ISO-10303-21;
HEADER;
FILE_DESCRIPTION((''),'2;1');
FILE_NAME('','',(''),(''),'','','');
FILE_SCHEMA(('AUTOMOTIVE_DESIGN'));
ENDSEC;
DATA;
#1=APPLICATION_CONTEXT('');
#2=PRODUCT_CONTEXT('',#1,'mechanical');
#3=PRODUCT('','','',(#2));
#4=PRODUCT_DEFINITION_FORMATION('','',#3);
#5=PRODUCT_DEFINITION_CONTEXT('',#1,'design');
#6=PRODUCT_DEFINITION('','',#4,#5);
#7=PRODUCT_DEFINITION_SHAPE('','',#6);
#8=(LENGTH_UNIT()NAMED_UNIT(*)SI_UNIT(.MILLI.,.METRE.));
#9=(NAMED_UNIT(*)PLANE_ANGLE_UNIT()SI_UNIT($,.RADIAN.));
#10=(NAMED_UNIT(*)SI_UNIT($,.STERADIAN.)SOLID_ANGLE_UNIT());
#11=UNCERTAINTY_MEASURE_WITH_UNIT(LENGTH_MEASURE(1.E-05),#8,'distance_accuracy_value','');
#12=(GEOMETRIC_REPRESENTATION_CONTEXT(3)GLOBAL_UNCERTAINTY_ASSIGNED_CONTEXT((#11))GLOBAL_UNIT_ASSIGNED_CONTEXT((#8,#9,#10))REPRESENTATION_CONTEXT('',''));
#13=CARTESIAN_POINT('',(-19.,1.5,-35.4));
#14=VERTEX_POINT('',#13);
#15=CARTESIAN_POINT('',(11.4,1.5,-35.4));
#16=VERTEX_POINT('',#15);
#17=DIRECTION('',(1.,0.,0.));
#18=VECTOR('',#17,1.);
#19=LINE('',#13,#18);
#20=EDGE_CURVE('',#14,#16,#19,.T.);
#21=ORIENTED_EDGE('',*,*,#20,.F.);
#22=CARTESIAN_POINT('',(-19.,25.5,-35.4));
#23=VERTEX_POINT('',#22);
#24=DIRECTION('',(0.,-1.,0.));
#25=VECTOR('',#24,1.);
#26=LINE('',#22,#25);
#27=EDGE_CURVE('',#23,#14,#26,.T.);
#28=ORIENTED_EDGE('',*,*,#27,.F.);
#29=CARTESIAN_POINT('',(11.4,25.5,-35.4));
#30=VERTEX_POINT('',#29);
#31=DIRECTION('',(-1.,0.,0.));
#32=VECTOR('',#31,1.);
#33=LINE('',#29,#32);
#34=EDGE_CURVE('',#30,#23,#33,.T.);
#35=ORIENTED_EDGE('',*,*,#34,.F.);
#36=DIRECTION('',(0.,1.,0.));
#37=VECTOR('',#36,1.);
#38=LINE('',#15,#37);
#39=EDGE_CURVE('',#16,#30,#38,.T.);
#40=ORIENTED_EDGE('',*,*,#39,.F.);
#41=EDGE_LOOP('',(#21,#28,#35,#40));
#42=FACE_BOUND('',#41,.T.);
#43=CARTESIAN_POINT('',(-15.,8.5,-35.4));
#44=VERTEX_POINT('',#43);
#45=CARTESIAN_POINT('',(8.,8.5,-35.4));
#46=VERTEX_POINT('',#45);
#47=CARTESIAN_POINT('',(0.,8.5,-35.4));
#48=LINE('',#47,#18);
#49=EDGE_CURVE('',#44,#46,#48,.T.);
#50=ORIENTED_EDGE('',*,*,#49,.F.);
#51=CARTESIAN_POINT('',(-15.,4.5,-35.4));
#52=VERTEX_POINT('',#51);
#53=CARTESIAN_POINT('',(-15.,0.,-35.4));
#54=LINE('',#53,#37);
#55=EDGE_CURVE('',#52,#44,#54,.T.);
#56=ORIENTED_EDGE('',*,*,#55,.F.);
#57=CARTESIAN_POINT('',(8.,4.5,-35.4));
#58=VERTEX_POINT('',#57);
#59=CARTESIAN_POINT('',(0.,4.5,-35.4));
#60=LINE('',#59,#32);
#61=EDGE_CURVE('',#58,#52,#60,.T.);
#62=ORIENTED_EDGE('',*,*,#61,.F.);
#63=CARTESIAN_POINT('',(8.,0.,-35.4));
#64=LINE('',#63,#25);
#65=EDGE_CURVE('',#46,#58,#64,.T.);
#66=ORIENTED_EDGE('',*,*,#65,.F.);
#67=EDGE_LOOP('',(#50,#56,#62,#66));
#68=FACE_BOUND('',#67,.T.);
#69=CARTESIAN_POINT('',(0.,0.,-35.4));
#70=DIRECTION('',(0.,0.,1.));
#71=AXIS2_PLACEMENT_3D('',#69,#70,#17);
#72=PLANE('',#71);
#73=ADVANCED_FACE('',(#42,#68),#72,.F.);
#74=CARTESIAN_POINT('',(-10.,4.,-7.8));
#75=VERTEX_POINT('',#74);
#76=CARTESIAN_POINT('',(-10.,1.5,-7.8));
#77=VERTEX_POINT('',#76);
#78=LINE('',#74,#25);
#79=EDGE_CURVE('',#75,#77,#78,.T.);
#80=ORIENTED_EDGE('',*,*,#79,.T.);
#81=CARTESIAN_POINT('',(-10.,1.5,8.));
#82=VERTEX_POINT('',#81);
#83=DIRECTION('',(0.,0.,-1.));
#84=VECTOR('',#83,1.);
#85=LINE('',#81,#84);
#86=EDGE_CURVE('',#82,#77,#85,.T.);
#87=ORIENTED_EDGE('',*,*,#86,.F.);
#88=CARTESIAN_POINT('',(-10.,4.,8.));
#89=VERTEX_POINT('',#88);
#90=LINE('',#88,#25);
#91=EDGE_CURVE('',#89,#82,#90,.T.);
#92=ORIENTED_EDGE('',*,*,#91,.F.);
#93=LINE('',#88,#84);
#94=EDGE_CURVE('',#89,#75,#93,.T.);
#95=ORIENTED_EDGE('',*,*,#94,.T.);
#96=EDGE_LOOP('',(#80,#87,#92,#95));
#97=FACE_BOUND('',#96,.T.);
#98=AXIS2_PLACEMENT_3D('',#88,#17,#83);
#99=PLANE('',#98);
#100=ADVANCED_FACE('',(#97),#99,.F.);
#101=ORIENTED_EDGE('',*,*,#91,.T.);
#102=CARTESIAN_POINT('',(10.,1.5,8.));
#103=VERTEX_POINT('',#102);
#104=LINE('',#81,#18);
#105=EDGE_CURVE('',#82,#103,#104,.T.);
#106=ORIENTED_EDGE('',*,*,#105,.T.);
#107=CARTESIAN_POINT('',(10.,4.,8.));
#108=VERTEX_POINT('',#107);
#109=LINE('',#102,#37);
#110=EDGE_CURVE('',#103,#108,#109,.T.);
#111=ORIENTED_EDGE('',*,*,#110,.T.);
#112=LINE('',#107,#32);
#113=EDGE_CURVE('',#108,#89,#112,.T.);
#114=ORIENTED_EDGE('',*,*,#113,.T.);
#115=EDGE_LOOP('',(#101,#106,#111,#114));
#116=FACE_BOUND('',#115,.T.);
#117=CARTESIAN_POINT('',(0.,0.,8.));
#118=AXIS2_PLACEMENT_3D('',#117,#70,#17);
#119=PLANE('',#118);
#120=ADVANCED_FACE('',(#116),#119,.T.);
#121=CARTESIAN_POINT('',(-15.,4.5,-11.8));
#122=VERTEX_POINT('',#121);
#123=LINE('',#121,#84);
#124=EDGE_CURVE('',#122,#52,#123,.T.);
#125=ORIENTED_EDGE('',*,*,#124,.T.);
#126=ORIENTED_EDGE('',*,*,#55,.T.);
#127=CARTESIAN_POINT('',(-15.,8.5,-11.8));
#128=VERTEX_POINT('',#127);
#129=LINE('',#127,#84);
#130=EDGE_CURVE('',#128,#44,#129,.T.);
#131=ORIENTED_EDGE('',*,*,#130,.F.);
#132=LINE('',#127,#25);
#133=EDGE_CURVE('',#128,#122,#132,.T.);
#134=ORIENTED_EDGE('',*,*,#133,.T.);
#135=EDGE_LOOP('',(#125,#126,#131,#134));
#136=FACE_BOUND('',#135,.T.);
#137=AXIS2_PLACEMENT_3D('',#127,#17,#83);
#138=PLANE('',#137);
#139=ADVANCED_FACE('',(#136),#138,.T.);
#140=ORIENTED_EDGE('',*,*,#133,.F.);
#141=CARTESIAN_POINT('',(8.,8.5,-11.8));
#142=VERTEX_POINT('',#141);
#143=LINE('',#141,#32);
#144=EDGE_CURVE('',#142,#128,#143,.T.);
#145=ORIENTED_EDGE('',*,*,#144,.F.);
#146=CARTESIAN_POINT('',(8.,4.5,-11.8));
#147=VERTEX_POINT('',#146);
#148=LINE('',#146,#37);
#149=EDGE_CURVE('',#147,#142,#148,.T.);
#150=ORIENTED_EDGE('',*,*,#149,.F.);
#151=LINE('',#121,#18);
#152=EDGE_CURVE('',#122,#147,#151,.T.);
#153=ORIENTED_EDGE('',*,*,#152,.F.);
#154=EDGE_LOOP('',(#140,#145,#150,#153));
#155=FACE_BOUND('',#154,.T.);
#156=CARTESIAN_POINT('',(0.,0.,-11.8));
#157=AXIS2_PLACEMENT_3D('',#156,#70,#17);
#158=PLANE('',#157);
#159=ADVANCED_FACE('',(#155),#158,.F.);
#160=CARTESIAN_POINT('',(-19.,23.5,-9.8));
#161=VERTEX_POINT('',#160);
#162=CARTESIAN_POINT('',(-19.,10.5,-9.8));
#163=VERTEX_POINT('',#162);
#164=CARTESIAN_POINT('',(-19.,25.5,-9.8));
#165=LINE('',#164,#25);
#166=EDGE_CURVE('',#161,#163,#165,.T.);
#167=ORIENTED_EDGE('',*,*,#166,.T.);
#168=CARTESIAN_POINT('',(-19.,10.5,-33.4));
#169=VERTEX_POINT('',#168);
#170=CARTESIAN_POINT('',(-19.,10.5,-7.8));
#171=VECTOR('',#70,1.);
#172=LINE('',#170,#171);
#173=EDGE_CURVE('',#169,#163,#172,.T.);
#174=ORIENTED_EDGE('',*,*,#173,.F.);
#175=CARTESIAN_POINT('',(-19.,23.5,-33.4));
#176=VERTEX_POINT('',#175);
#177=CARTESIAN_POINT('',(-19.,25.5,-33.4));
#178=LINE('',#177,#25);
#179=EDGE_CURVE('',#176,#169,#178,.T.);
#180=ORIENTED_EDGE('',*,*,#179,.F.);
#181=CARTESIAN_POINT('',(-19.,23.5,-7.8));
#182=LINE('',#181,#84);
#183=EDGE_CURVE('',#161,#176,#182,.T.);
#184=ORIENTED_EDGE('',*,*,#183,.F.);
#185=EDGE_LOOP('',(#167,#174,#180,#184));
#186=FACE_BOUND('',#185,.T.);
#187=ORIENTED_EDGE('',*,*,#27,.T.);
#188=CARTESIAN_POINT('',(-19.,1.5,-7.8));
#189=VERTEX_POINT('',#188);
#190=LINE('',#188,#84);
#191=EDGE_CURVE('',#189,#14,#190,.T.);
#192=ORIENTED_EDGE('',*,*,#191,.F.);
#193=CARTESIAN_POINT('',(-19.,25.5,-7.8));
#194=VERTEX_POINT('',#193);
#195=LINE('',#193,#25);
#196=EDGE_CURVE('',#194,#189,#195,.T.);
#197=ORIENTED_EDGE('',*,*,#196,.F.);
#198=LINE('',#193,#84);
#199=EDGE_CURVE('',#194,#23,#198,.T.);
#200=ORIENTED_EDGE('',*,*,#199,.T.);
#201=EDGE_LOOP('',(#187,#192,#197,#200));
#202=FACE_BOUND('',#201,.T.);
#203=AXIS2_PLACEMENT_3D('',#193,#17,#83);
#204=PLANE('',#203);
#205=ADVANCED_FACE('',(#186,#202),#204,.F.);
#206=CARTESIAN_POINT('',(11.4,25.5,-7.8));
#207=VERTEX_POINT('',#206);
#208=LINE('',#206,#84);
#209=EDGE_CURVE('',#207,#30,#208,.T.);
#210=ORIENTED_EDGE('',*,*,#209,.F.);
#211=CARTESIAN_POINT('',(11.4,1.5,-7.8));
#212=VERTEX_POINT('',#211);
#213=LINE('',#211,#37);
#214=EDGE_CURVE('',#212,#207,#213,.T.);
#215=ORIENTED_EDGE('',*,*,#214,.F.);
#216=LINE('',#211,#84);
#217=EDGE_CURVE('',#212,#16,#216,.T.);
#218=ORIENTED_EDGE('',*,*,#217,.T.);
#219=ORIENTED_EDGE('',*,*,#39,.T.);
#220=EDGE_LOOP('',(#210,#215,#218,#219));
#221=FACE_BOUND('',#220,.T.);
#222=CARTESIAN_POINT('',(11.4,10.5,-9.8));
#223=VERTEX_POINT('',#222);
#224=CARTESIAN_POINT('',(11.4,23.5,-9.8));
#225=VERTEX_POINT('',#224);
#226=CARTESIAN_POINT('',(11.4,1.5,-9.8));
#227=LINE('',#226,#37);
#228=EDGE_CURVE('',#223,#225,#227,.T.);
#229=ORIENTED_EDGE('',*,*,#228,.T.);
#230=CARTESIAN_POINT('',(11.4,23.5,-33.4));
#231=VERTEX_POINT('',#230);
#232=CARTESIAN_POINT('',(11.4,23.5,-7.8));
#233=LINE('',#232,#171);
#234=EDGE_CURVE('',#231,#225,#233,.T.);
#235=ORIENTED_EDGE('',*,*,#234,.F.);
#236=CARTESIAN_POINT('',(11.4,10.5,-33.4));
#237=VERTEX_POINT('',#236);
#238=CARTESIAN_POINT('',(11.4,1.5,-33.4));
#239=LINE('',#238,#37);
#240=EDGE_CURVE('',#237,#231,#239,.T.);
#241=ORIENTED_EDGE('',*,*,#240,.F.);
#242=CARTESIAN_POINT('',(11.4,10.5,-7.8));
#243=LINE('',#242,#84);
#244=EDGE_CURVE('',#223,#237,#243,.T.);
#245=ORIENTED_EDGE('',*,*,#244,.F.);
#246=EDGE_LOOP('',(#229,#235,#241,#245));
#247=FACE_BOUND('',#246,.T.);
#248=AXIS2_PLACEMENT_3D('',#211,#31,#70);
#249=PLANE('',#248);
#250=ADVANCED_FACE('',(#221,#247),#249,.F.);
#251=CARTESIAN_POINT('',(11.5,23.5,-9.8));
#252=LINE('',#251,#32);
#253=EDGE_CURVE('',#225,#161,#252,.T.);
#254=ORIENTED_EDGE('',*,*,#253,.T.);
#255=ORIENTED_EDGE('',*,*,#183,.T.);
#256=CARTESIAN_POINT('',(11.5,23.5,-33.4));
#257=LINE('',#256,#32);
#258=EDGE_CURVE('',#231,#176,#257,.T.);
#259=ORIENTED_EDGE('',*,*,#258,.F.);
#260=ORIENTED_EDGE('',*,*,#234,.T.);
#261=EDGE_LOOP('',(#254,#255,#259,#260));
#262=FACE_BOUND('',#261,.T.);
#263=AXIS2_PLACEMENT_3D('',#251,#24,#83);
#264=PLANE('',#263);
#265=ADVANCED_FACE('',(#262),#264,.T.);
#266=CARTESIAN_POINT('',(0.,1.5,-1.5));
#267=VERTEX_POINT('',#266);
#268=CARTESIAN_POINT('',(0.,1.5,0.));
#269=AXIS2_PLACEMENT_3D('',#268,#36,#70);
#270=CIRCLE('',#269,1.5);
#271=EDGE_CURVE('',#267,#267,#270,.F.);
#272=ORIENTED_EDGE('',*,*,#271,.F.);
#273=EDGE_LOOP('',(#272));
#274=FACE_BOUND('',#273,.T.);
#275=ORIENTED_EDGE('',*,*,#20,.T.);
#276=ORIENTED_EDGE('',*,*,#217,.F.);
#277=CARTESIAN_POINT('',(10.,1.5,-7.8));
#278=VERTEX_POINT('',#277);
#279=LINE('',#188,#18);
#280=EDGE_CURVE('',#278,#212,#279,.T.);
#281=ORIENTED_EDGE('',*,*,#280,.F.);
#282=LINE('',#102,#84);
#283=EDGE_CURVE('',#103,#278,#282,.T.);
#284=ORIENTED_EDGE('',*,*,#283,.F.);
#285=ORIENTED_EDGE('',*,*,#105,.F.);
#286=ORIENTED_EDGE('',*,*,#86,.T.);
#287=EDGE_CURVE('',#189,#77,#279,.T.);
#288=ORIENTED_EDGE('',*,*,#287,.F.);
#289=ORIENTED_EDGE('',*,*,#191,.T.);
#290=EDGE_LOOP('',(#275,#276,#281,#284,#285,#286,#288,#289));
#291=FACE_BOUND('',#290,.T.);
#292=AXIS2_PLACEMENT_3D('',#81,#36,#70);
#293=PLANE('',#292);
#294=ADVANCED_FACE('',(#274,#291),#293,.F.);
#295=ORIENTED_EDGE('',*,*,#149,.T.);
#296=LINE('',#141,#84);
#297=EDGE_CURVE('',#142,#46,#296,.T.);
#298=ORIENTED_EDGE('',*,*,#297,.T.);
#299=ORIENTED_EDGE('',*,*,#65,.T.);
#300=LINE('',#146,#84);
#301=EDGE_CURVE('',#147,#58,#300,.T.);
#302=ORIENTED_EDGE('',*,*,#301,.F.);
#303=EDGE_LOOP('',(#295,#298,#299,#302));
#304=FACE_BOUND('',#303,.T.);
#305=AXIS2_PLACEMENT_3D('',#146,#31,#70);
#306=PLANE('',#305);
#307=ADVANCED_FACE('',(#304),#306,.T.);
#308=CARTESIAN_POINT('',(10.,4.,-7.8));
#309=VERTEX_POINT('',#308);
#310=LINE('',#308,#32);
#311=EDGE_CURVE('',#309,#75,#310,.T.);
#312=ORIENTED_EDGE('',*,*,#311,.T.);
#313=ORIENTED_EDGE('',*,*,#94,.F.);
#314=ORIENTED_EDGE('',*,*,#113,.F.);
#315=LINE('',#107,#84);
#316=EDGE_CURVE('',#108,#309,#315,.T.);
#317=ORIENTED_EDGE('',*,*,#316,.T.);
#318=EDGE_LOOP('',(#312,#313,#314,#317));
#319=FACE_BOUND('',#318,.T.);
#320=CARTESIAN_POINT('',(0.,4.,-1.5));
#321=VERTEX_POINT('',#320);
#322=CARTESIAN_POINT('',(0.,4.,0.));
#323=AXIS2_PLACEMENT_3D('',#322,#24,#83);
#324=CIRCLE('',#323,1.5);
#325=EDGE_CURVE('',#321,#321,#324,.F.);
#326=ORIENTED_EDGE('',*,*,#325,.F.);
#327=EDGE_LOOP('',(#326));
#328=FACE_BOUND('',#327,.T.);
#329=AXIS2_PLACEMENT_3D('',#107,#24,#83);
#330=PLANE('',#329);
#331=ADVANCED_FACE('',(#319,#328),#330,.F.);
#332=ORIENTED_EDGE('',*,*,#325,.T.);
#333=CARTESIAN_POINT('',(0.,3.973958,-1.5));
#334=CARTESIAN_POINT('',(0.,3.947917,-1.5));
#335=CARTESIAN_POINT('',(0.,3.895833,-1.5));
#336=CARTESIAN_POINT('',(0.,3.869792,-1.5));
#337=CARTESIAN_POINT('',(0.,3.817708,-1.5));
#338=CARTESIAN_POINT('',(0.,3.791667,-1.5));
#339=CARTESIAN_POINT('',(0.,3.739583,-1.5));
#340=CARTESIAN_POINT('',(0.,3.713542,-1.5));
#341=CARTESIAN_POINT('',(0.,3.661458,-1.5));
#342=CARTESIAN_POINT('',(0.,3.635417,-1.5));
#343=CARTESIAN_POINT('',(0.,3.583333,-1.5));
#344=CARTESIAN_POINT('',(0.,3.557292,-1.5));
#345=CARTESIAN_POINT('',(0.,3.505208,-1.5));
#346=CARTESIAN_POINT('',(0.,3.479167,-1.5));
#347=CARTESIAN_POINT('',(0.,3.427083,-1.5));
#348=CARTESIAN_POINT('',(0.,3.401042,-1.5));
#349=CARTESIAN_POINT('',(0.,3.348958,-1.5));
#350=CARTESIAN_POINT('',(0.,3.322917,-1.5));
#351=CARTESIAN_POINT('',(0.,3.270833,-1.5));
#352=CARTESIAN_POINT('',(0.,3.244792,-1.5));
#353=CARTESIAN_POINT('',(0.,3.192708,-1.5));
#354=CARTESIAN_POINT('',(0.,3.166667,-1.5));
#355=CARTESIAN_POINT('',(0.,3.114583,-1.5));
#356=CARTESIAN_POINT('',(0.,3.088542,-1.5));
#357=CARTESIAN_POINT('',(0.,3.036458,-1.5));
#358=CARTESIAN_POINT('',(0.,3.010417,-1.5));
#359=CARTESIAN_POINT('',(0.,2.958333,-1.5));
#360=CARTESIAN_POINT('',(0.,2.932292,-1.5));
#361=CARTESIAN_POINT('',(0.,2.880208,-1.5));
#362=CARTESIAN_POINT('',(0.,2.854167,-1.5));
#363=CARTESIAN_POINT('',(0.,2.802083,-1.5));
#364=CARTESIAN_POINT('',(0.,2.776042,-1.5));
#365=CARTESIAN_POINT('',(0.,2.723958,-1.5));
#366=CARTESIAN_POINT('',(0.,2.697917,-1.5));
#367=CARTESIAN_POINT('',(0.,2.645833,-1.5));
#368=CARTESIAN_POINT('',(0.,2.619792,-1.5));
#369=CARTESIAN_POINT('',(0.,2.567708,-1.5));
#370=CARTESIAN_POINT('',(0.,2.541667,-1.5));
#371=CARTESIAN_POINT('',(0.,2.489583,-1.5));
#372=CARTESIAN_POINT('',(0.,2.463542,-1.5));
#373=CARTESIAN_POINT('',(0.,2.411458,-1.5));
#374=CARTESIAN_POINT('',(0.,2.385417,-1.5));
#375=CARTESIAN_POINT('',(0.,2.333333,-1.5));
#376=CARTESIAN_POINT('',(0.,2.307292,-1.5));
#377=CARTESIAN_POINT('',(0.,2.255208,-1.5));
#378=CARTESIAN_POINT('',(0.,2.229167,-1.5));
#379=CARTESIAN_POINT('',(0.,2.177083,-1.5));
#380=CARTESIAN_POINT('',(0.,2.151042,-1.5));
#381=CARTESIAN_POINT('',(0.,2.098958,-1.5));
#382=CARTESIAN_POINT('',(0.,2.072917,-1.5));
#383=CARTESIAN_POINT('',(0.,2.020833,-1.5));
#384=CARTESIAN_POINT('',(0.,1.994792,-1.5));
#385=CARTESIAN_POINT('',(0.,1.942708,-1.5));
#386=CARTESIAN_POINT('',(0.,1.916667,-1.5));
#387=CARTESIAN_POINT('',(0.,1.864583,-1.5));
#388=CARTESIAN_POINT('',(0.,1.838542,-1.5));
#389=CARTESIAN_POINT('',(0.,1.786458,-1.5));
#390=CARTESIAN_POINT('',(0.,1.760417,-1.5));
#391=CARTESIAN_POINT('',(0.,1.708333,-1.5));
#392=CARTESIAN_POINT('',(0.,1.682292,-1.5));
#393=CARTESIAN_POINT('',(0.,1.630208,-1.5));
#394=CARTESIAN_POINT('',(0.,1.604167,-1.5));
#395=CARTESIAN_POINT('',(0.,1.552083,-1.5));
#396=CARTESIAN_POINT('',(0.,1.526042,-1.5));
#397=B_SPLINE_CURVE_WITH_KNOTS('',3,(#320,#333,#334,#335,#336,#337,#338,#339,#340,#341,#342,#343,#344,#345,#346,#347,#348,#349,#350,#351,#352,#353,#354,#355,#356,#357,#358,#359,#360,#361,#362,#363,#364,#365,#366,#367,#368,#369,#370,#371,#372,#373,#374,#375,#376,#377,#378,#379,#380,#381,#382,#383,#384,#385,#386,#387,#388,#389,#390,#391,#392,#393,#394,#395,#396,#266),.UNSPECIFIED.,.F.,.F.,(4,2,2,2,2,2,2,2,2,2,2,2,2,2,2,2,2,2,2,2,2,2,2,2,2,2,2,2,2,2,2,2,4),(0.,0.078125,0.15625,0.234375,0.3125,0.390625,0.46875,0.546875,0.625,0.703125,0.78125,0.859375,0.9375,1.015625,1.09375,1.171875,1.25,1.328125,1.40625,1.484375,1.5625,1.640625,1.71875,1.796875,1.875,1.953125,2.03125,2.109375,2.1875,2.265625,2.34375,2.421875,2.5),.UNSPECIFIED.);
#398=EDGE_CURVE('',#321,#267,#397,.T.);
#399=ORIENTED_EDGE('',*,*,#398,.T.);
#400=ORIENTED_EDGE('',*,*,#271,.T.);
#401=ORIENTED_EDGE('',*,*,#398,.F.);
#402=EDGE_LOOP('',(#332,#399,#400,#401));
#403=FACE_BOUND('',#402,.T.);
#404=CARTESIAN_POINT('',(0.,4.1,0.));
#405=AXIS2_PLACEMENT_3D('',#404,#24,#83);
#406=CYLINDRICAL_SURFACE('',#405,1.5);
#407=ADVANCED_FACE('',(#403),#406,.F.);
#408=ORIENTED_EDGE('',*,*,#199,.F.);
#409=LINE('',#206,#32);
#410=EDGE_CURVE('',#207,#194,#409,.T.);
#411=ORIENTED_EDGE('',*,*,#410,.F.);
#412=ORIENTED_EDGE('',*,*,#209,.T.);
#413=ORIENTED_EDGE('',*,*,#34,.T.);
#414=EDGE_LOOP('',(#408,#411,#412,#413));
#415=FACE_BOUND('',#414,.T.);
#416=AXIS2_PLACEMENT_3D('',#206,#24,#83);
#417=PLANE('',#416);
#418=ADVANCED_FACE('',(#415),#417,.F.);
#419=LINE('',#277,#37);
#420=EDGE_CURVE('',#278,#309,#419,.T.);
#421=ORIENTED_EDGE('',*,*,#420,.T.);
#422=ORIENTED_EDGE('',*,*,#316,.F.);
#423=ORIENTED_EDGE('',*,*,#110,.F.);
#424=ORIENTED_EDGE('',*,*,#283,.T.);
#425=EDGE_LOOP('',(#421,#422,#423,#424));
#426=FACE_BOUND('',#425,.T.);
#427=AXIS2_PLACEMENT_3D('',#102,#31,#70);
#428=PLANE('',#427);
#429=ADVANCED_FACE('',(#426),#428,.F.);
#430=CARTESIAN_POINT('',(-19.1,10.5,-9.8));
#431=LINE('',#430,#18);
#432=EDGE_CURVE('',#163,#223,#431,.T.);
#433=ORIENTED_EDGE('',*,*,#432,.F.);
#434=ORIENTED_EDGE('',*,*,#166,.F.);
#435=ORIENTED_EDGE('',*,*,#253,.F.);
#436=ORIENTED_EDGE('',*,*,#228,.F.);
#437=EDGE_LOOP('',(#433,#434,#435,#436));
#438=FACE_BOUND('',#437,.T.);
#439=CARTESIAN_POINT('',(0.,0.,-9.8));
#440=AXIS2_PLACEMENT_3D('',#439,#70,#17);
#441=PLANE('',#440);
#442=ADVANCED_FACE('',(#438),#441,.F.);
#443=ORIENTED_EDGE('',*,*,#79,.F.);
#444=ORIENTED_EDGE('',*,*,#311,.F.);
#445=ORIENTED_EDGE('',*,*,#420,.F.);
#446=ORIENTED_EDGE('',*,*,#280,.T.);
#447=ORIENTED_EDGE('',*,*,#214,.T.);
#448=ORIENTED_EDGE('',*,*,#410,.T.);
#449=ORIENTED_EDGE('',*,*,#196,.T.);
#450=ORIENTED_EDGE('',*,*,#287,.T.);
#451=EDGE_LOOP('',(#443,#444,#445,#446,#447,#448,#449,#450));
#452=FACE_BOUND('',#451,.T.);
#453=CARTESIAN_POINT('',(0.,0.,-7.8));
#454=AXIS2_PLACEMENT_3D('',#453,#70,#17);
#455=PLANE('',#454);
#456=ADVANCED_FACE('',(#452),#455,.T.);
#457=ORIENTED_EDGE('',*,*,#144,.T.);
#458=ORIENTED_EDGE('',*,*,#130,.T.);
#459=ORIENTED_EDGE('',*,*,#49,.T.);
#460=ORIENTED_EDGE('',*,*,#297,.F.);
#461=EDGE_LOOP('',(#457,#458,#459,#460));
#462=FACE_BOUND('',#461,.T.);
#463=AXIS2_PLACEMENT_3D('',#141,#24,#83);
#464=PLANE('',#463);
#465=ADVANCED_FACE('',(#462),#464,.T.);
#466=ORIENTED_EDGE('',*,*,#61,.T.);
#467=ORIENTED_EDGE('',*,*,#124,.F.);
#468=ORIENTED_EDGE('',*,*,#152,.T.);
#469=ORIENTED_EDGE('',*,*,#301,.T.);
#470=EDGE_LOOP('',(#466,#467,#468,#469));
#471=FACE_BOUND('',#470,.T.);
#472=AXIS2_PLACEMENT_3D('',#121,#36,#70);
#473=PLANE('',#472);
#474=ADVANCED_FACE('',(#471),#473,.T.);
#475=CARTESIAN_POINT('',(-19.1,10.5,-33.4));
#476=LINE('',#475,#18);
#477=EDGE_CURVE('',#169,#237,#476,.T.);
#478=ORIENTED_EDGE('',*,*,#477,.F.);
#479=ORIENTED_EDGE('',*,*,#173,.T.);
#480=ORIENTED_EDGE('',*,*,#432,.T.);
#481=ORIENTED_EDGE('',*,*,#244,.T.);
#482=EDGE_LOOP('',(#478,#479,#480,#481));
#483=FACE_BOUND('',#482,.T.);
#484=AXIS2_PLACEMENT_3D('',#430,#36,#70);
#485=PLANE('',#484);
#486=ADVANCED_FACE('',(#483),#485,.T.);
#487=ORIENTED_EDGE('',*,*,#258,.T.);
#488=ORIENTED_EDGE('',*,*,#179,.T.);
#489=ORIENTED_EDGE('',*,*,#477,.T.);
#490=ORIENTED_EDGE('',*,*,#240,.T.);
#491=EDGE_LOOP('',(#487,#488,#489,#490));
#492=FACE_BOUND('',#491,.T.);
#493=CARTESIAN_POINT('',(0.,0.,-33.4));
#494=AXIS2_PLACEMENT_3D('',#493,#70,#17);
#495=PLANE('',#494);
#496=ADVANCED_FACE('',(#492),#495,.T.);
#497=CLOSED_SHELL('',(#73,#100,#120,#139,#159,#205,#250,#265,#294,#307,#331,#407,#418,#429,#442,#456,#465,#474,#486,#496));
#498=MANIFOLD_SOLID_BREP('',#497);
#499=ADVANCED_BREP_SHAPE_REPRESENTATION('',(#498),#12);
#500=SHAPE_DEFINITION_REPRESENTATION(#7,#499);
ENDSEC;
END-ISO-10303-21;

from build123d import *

# Parameters (mm, degrees)
S_BOX1_W       = 20
S_BOX1_H       = 2.5
BOSS_1_DEPTH   = 42
S_BOX2_W       = 30.4
S_BOX2_H       = 24
BOSS_2_DEPTH   = 27.6
S_CUT3_W       = 30.6
S_CUT3_H       = 13
POCKET_3_DEPTH = 23.6
S_CUT4_W       = 23
S_CUT4_H       = 4
POCKET_4_DEPTH = 23.7
S_HOLE5_R      = 1.5
HOLE_5_DEPTH   = 2.7


with BuildPart() as part:
    # S_box1 → Boss_1 (new body)
    with BuildSketch(Plane.XY.offset(-34)):
        with Locations((0, 2.75)):
            Rectangle(S_BOX1_W, S_BOX1_H)
    extrude(amount=BOSS_1_DEPTH)

    # S_box2 → Boss_2 (add)
    with BuildSketch(Plane.XY.offset(-35.4)):
        with Locations((-3.8, 13.5)):
            Rectangle(S_BOX2_W, S_BOX2_H)
    extrude(amount=BOSS_2_DEPTH)

    # S_cut3 → Pocket_3 (cut)
    with BuildSketch(Plane.XY.offset(-33.4)):
        with Locations((-3.8, 17)):
            Rectangle(S_CUT3_W, S_CUT3_H)
    extrude(amount=POCKET_3_DEPTH, mode=Mode.SUBTRACT)

    # S_cut4 → Pocket_4 (cut)
    with BuildSketch(Plane.XY.offset(-35.5)):
        with Locations((-3.5, 6.5)):
            Rectangle(S_CUT4_W, S_CUT4_H)
    extrude(amount=POCKET_4_DEPTH, mode=Mode.SUBTRACT)

    # S_hole5 → Hole_5 (cut)
    with BuildSketch(Plane(origin=(0, 1.4, 0), x_dir=(1, 0, 0), z_dir=(0, 1, 0))):
        with Locations(Location((0, 0, 0), (0, 0, 90))):
            Circle(S_HOLE5_R)
    extrude(amount=HOLE_5_DEPTH, mode=Mode.SUBTRACT)


solid = part.part
